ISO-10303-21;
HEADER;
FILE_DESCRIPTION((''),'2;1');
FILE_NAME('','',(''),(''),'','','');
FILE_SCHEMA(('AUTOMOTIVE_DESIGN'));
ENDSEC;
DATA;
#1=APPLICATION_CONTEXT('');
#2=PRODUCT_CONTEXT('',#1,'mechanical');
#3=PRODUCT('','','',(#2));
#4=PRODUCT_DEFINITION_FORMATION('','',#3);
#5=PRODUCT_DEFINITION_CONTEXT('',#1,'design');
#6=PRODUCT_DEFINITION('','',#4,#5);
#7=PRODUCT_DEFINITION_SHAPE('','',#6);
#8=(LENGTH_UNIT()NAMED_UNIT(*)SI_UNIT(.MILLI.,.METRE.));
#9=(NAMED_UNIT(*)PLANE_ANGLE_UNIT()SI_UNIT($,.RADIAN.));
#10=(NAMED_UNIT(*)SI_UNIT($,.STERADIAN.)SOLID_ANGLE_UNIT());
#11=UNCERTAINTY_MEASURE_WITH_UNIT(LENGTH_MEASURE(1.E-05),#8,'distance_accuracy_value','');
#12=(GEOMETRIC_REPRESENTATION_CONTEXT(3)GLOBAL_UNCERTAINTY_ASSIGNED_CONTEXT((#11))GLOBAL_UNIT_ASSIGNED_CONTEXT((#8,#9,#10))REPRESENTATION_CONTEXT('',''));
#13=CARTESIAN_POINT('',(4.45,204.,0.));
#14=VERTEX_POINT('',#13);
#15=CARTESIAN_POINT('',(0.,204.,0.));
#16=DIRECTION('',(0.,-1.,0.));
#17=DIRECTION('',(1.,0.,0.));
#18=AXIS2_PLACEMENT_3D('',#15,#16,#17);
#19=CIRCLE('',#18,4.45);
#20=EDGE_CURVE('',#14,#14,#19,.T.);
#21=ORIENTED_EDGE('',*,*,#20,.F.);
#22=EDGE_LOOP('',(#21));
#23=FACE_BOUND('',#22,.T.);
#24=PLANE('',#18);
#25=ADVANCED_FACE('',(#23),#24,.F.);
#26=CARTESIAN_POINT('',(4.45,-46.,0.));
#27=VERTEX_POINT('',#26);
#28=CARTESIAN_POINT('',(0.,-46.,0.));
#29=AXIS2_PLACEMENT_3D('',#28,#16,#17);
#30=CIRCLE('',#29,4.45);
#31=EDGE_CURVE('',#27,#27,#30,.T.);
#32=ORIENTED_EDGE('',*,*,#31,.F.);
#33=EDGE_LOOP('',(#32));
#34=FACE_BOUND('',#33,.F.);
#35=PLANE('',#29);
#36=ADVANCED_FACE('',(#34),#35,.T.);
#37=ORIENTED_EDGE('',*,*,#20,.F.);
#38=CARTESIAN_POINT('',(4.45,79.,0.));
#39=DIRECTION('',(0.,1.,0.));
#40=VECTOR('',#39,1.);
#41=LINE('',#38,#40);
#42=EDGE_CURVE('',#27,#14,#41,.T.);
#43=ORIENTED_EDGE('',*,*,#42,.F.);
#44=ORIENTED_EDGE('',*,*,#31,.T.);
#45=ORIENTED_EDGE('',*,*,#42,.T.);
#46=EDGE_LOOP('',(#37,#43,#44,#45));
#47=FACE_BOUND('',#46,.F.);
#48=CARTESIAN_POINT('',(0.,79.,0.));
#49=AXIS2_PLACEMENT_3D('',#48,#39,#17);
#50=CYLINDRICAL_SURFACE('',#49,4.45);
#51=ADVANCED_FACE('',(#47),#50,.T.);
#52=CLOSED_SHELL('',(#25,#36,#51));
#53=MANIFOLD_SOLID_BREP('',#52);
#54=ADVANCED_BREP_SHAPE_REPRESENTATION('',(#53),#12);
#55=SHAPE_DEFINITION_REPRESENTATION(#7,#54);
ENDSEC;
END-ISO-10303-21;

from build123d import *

# Parameters (mm, degrees)
SKETCH1_W = 4.45
SKETCH1_H = 250


with BuildPart() as part:
    # Sketch1 → Revolve1 (revolve)
    with BuildSketch(Plane.XY):
        with Locations((2.225, 79)):
            Rectangle(SKETCH1_W, SKETCH1_H)
    revolve(axis=Axis((0, 204, 0), (0, -1, 0)))


solid = part.part
